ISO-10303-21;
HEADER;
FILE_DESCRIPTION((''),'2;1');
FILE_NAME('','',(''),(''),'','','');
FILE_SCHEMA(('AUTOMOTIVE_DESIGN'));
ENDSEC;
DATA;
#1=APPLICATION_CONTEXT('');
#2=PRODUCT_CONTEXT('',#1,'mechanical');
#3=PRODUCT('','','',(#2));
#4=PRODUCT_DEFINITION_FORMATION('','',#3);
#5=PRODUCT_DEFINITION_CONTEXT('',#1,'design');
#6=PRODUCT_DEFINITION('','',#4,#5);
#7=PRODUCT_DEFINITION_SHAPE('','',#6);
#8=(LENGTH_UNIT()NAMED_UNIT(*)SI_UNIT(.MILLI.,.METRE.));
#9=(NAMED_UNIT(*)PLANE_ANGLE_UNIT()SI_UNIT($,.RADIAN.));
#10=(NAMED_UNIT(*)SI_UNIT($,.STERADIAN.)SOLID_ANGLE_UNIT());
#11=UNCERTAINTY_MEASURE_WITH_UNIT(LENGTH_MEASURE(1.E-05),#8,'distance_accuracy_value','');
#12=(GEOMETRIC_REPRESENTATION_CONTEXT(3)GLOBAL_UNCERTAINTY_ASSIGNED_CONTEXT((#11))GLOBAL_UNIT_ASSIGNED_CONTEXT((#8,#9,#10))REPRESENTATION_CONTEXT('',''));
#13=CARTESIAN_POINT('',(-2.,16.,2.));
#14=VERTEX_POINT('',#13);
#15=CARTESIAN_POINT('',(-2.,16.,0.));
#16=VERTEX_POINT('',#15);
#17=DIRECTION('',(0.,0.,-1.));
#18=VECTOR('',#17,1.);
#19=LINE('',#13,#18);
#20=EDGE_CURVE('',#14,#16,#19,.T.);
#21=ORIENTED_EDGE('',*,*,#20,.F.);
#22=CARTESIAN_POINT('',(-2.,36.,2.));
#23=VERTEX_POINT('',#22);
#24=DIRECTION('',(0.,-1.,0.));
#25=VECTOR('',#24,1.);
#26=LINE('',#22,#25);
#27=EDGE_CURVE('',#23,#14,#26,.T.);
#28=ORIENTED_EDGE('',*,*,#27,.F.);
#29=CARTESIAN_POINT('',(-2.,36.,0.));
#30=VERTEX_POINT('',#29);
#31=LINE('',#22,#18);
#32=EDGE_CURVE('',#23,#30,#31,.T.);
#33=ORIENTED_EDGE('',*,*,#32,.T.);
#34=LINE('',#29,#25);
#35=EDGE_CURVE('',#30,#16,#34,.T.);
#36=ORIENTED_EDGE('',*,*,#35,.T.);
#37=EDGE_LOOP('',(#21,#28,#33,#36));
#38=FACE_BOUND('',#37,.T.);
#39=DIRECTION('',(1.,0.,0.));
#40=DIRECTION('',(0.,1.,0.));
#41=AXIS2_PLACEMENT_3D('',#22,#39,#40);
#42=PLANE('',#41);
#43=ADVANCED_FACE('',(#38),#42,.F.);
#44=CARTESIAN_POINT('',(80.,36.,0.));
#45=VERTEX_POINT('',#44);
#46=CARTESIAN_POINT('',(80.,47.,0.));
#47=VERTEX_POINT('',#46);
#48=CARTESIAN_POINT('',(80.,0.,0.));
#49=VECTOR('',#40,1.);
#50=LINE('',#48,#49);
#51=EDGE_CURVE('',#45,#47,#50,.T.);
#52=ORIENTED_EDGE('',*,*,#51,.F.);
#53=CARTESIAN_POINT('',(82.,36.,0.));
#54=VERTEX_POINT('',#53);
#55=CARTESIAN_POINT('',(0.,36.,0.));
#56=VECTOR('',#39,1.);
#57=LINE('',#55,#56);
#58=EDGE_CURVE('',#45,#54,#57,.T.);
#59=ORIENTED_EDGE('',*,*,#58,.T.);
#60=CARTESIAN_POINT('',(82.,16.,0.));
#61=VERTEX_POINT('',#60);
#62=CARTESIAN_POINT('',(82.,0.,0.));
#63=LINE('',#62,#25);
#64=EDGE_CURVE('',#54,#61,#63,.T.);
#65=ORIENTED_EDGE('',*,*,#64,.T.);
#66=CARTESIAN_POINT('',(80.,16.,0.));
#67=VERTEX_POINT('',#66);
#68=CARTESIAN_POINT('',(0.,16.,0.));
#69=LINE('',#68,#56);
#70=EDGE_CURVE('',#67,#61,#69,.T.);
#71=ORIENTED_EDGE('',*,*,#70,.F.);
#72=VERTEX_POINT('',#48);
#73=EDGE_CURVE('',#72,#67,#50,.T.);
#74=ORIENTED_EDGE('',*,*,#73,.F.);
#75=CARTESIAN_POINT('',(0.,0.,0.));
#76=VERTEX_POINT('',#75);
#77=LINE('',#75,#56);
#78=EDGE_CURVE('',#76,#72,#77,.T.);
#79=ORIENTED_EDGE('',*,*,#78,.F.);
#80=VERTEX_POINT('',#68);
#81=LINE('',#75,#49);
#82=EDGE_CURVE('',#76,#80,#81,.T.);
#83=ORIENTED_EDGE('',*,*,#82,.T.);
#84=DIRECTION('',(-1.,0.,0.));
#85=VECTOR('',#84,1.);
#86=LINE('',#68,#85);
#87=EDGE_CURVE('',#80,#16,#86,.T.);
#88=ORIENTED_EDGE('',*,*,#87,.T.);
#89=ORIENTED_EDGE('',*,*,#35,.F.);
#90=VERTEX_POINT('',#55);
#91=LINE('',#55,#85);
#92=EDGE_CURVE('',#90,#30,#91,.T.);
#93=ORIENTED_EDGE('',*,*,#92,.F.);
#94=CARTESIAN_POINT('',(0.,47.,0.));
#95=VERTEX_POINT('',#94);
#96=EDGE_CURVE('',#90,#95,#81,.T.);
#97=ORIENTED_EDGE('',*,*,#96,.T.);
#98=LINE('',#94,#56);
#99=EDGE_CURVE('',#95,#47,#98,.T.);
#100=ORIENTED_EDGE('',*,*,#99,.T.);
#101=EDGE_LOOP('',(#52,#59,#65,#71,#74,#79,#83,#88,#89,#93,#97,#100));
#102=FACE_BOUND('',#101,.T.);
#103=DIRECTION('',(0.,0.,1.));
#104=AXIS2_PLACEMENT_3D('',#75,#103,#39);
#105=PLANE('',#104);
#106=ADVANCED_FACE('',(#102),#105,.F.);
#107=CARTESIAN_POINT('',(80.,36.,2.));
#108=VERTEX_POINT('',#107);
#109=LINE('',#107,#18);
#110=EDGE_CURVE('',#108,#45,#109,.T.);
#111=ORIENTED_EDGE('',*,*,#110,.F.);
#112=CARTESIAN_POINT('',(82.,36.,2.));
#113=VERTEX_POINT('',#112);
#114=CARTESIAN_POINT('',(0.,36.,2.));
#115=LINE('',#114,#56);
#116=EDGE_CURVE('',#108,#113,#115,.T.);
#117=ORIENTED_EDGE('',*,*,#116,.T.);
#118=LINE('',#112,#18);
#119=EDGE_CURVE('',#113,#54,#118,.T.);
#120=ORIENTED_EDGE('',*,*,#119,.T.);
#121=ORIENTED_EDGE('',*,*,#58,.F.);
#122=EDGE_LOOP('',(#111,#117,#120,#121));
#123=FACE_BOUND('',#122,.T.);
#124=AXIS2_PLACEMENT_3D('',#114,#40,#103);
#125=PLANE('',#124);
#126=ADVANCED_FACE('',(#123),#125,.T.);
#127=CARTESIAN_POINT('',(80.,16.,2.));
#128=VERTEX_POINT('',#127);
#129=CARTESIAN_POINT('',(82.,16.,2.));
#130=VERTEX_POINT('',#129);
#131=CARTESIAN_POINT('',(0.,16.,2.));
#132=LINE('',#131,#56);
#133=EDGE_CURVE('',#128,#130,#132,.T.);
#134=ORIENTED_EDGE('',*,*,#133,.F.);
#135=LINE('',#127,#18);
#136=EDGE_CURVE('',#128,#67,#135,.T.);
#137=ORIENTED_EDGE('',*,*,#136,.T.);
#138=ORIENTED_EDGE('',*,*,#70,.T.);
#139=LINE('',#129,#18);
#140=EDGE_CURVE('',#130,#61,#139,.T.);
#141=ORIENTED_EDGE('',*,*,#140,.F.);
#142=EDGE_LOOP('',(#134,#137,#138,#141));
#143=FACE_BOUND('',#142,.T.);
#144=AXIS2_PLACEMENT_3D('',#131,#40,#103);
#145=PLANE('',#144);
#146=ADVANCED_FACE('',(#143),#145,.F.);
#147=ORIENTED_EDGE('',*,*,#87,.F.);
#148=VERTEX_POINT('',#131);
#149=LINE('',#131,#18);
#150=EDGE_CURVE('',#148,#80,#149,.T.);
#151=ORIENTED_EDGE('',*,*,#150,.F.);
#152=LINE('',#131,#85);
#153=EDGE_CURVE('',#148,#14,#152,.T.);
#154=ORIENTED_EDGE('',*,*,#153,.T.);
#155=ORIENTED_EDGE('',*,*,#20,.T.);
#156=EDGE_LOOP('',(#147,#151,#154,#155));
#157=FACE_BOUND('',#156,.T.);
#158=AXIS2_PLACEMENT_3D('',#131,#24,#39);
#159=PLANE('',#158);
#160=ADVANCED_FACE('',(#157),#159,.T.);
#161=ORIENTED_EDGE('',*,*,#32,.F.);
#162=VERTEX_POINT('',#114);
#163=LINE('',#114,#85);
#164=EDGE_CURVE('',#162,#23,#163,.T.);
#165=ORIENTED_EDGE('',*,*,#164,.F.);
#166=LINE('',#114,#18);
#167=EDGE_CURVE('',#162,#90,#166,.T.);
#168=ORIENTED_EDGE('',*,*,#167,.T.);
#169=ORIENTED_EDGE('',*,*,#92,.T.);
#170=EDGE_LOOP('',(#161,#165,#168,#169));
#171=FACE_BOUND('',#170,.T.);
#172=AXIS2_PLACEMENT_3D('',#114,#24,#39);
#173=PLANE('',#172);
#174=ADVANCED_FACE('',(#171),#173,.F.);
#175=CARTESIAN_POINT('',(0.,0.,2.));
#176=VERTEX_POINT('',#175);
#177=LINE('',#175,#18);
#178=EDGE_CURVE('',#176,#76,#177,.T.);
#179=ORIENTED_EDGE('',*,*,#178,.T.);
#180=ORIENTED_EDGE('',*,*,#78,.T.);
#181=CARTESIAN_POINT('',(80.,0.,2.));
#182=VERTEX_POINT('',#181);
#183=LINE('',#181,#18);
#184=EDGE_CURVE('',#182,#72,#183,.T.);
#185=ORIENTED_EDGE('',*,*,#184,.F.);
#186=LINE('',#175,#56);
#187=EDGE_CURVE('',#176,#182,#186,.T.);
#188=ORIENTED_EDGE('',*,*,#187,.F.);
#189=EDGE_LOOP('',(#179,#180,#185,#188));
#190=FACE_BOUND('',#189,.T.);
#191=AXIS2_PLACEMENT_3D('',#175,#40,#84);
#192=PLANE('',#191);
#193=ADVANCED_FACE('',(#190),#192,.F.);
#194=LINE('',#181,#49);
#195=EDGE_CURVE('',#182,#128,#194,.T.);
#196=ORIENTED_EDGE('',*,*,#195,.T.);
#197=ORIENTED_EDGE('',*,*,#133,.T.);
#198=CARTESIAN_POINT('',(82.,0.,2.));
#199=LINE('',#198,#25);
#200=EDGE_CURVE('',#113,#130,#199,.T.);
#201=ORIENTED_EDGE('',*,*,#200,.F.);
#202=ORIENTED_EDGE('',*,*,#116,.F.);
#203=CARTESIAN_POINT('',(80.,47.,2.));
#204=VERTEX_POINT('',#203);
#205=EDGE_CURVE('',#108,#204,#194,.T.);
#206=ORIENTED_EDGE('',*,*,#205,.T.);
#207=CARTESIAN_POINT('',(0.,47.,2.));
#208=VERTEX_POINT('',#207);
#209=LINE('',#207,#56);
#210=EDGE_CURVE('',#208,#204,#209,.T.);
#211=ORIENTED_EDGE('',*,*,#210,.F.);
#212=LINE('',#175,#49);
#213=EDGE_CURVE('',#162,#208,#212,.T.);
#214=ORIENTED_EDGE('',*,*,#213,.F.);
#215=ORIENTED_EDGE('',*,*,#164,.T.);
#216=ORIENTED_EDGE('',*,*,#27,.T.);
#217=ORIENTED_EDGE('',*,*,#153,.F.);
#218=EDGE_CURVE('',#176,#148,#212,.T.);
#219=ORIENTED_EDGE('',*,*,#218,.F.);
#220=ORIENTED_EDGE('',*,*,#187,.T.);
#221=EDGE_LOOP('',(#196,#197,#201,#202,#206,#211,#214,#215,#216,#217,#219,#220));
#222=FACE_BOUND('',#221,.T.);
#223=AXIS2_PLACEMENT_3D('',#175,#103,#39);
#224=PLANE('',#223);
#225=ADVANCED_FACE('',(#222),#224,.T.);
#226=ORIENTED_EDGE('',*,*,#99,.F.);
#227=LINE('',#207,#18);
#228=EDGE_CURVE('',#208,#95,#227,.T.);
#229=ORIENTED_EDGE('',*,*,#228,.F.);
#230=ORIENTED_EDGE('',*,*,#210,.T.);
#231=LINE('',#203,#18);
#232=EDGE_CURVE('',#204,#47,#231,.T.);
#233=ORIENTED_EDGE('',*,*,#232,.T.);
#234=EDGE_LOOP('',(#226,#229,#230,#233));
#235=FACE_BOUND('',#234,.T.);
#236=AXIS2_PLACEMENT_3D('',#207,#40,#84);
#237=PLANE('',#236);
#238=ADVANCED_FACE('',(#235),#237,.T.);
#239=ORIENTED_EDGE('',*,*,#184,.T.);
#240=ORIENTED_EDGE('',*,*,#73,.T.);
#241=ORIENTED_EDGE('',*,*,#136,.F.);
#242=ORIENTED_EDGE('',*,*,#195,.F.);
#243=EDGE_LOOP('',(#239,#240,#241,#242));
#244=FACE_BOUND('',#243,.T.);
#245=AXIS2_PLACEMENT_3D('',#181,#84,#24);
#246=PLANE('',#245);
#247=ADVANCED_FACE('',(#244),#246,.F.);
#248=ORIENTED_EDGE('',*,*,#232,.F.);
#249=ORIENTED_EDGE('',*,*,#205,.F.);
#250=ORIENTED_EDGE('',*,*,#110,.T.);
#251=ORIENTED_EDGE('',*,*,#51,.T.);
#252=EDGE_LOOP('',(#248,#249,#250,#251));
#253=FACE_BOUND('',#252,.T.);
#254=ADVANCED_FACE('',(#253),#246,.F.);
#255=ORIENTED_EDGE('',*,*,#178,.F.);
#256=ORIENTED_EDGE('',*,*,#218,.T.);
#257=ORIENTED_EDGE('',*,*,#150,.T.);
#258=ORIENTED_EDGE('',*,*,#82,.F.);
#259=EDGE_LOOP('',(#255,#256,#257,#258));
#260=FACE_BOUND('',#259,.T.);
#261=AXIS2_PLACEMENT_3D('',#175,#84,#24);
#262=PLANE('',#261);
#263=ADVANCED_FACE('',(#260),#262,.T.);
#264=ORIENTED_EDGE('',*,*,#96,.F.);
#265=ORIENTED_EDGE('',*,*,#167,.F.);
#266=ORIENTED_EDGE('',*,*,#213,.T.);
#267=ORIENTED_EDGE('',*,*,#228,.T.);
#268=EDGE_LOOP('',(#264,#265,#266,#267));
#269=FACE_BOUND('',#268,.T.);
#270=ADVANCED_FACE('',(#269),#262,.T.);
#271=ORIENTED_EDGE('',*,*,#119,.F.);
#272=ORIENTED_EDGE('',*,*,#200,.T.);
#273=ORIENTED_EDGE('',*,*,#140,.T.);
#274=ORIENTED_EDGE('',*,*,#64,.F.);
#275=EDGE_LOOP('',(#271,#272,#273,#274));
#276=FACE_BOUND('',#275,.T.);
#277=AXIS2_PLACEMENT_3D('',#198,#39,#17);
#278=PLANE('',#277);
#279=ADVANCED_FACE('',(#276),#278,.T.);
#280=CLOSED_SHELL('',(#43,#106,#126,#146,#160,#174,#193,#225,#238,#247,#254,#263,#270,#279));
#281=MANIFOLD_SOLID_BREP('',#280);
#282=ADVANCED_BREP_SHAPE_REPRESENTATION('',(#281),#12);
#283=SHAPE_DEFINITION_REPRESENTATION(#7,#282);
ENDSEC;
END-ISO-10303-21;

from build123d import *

# Parameters (mm, degrees)
SKETCH_1_W      = 2
SKETCH_1_H      = 20
SKETCH_1_W_2    = 80
SKETCH_1_H_2    = 47
EXTRUDE_1_DEPTH = 2


with BuildPart() as part:
    # Эскиз1 → Бобышка-Вытянуть1 (new body)
    with BuildSketch(Plane.XY):
        with Locations((81, 26)):
            Rectangle(SKETCH_1_W, SKETCH_1_H)
        with Locations((40, 23.5)):
            Rectangle(SKETCH_1_W_2, SKETCH_1_H_2)
        with Locations((-1, 26)):
            Rectangle(SKETCH_1_W, SKETCH_1_H)
    extrude(amount=EXTRUDE_1_DEPTH)


solid = part.part
